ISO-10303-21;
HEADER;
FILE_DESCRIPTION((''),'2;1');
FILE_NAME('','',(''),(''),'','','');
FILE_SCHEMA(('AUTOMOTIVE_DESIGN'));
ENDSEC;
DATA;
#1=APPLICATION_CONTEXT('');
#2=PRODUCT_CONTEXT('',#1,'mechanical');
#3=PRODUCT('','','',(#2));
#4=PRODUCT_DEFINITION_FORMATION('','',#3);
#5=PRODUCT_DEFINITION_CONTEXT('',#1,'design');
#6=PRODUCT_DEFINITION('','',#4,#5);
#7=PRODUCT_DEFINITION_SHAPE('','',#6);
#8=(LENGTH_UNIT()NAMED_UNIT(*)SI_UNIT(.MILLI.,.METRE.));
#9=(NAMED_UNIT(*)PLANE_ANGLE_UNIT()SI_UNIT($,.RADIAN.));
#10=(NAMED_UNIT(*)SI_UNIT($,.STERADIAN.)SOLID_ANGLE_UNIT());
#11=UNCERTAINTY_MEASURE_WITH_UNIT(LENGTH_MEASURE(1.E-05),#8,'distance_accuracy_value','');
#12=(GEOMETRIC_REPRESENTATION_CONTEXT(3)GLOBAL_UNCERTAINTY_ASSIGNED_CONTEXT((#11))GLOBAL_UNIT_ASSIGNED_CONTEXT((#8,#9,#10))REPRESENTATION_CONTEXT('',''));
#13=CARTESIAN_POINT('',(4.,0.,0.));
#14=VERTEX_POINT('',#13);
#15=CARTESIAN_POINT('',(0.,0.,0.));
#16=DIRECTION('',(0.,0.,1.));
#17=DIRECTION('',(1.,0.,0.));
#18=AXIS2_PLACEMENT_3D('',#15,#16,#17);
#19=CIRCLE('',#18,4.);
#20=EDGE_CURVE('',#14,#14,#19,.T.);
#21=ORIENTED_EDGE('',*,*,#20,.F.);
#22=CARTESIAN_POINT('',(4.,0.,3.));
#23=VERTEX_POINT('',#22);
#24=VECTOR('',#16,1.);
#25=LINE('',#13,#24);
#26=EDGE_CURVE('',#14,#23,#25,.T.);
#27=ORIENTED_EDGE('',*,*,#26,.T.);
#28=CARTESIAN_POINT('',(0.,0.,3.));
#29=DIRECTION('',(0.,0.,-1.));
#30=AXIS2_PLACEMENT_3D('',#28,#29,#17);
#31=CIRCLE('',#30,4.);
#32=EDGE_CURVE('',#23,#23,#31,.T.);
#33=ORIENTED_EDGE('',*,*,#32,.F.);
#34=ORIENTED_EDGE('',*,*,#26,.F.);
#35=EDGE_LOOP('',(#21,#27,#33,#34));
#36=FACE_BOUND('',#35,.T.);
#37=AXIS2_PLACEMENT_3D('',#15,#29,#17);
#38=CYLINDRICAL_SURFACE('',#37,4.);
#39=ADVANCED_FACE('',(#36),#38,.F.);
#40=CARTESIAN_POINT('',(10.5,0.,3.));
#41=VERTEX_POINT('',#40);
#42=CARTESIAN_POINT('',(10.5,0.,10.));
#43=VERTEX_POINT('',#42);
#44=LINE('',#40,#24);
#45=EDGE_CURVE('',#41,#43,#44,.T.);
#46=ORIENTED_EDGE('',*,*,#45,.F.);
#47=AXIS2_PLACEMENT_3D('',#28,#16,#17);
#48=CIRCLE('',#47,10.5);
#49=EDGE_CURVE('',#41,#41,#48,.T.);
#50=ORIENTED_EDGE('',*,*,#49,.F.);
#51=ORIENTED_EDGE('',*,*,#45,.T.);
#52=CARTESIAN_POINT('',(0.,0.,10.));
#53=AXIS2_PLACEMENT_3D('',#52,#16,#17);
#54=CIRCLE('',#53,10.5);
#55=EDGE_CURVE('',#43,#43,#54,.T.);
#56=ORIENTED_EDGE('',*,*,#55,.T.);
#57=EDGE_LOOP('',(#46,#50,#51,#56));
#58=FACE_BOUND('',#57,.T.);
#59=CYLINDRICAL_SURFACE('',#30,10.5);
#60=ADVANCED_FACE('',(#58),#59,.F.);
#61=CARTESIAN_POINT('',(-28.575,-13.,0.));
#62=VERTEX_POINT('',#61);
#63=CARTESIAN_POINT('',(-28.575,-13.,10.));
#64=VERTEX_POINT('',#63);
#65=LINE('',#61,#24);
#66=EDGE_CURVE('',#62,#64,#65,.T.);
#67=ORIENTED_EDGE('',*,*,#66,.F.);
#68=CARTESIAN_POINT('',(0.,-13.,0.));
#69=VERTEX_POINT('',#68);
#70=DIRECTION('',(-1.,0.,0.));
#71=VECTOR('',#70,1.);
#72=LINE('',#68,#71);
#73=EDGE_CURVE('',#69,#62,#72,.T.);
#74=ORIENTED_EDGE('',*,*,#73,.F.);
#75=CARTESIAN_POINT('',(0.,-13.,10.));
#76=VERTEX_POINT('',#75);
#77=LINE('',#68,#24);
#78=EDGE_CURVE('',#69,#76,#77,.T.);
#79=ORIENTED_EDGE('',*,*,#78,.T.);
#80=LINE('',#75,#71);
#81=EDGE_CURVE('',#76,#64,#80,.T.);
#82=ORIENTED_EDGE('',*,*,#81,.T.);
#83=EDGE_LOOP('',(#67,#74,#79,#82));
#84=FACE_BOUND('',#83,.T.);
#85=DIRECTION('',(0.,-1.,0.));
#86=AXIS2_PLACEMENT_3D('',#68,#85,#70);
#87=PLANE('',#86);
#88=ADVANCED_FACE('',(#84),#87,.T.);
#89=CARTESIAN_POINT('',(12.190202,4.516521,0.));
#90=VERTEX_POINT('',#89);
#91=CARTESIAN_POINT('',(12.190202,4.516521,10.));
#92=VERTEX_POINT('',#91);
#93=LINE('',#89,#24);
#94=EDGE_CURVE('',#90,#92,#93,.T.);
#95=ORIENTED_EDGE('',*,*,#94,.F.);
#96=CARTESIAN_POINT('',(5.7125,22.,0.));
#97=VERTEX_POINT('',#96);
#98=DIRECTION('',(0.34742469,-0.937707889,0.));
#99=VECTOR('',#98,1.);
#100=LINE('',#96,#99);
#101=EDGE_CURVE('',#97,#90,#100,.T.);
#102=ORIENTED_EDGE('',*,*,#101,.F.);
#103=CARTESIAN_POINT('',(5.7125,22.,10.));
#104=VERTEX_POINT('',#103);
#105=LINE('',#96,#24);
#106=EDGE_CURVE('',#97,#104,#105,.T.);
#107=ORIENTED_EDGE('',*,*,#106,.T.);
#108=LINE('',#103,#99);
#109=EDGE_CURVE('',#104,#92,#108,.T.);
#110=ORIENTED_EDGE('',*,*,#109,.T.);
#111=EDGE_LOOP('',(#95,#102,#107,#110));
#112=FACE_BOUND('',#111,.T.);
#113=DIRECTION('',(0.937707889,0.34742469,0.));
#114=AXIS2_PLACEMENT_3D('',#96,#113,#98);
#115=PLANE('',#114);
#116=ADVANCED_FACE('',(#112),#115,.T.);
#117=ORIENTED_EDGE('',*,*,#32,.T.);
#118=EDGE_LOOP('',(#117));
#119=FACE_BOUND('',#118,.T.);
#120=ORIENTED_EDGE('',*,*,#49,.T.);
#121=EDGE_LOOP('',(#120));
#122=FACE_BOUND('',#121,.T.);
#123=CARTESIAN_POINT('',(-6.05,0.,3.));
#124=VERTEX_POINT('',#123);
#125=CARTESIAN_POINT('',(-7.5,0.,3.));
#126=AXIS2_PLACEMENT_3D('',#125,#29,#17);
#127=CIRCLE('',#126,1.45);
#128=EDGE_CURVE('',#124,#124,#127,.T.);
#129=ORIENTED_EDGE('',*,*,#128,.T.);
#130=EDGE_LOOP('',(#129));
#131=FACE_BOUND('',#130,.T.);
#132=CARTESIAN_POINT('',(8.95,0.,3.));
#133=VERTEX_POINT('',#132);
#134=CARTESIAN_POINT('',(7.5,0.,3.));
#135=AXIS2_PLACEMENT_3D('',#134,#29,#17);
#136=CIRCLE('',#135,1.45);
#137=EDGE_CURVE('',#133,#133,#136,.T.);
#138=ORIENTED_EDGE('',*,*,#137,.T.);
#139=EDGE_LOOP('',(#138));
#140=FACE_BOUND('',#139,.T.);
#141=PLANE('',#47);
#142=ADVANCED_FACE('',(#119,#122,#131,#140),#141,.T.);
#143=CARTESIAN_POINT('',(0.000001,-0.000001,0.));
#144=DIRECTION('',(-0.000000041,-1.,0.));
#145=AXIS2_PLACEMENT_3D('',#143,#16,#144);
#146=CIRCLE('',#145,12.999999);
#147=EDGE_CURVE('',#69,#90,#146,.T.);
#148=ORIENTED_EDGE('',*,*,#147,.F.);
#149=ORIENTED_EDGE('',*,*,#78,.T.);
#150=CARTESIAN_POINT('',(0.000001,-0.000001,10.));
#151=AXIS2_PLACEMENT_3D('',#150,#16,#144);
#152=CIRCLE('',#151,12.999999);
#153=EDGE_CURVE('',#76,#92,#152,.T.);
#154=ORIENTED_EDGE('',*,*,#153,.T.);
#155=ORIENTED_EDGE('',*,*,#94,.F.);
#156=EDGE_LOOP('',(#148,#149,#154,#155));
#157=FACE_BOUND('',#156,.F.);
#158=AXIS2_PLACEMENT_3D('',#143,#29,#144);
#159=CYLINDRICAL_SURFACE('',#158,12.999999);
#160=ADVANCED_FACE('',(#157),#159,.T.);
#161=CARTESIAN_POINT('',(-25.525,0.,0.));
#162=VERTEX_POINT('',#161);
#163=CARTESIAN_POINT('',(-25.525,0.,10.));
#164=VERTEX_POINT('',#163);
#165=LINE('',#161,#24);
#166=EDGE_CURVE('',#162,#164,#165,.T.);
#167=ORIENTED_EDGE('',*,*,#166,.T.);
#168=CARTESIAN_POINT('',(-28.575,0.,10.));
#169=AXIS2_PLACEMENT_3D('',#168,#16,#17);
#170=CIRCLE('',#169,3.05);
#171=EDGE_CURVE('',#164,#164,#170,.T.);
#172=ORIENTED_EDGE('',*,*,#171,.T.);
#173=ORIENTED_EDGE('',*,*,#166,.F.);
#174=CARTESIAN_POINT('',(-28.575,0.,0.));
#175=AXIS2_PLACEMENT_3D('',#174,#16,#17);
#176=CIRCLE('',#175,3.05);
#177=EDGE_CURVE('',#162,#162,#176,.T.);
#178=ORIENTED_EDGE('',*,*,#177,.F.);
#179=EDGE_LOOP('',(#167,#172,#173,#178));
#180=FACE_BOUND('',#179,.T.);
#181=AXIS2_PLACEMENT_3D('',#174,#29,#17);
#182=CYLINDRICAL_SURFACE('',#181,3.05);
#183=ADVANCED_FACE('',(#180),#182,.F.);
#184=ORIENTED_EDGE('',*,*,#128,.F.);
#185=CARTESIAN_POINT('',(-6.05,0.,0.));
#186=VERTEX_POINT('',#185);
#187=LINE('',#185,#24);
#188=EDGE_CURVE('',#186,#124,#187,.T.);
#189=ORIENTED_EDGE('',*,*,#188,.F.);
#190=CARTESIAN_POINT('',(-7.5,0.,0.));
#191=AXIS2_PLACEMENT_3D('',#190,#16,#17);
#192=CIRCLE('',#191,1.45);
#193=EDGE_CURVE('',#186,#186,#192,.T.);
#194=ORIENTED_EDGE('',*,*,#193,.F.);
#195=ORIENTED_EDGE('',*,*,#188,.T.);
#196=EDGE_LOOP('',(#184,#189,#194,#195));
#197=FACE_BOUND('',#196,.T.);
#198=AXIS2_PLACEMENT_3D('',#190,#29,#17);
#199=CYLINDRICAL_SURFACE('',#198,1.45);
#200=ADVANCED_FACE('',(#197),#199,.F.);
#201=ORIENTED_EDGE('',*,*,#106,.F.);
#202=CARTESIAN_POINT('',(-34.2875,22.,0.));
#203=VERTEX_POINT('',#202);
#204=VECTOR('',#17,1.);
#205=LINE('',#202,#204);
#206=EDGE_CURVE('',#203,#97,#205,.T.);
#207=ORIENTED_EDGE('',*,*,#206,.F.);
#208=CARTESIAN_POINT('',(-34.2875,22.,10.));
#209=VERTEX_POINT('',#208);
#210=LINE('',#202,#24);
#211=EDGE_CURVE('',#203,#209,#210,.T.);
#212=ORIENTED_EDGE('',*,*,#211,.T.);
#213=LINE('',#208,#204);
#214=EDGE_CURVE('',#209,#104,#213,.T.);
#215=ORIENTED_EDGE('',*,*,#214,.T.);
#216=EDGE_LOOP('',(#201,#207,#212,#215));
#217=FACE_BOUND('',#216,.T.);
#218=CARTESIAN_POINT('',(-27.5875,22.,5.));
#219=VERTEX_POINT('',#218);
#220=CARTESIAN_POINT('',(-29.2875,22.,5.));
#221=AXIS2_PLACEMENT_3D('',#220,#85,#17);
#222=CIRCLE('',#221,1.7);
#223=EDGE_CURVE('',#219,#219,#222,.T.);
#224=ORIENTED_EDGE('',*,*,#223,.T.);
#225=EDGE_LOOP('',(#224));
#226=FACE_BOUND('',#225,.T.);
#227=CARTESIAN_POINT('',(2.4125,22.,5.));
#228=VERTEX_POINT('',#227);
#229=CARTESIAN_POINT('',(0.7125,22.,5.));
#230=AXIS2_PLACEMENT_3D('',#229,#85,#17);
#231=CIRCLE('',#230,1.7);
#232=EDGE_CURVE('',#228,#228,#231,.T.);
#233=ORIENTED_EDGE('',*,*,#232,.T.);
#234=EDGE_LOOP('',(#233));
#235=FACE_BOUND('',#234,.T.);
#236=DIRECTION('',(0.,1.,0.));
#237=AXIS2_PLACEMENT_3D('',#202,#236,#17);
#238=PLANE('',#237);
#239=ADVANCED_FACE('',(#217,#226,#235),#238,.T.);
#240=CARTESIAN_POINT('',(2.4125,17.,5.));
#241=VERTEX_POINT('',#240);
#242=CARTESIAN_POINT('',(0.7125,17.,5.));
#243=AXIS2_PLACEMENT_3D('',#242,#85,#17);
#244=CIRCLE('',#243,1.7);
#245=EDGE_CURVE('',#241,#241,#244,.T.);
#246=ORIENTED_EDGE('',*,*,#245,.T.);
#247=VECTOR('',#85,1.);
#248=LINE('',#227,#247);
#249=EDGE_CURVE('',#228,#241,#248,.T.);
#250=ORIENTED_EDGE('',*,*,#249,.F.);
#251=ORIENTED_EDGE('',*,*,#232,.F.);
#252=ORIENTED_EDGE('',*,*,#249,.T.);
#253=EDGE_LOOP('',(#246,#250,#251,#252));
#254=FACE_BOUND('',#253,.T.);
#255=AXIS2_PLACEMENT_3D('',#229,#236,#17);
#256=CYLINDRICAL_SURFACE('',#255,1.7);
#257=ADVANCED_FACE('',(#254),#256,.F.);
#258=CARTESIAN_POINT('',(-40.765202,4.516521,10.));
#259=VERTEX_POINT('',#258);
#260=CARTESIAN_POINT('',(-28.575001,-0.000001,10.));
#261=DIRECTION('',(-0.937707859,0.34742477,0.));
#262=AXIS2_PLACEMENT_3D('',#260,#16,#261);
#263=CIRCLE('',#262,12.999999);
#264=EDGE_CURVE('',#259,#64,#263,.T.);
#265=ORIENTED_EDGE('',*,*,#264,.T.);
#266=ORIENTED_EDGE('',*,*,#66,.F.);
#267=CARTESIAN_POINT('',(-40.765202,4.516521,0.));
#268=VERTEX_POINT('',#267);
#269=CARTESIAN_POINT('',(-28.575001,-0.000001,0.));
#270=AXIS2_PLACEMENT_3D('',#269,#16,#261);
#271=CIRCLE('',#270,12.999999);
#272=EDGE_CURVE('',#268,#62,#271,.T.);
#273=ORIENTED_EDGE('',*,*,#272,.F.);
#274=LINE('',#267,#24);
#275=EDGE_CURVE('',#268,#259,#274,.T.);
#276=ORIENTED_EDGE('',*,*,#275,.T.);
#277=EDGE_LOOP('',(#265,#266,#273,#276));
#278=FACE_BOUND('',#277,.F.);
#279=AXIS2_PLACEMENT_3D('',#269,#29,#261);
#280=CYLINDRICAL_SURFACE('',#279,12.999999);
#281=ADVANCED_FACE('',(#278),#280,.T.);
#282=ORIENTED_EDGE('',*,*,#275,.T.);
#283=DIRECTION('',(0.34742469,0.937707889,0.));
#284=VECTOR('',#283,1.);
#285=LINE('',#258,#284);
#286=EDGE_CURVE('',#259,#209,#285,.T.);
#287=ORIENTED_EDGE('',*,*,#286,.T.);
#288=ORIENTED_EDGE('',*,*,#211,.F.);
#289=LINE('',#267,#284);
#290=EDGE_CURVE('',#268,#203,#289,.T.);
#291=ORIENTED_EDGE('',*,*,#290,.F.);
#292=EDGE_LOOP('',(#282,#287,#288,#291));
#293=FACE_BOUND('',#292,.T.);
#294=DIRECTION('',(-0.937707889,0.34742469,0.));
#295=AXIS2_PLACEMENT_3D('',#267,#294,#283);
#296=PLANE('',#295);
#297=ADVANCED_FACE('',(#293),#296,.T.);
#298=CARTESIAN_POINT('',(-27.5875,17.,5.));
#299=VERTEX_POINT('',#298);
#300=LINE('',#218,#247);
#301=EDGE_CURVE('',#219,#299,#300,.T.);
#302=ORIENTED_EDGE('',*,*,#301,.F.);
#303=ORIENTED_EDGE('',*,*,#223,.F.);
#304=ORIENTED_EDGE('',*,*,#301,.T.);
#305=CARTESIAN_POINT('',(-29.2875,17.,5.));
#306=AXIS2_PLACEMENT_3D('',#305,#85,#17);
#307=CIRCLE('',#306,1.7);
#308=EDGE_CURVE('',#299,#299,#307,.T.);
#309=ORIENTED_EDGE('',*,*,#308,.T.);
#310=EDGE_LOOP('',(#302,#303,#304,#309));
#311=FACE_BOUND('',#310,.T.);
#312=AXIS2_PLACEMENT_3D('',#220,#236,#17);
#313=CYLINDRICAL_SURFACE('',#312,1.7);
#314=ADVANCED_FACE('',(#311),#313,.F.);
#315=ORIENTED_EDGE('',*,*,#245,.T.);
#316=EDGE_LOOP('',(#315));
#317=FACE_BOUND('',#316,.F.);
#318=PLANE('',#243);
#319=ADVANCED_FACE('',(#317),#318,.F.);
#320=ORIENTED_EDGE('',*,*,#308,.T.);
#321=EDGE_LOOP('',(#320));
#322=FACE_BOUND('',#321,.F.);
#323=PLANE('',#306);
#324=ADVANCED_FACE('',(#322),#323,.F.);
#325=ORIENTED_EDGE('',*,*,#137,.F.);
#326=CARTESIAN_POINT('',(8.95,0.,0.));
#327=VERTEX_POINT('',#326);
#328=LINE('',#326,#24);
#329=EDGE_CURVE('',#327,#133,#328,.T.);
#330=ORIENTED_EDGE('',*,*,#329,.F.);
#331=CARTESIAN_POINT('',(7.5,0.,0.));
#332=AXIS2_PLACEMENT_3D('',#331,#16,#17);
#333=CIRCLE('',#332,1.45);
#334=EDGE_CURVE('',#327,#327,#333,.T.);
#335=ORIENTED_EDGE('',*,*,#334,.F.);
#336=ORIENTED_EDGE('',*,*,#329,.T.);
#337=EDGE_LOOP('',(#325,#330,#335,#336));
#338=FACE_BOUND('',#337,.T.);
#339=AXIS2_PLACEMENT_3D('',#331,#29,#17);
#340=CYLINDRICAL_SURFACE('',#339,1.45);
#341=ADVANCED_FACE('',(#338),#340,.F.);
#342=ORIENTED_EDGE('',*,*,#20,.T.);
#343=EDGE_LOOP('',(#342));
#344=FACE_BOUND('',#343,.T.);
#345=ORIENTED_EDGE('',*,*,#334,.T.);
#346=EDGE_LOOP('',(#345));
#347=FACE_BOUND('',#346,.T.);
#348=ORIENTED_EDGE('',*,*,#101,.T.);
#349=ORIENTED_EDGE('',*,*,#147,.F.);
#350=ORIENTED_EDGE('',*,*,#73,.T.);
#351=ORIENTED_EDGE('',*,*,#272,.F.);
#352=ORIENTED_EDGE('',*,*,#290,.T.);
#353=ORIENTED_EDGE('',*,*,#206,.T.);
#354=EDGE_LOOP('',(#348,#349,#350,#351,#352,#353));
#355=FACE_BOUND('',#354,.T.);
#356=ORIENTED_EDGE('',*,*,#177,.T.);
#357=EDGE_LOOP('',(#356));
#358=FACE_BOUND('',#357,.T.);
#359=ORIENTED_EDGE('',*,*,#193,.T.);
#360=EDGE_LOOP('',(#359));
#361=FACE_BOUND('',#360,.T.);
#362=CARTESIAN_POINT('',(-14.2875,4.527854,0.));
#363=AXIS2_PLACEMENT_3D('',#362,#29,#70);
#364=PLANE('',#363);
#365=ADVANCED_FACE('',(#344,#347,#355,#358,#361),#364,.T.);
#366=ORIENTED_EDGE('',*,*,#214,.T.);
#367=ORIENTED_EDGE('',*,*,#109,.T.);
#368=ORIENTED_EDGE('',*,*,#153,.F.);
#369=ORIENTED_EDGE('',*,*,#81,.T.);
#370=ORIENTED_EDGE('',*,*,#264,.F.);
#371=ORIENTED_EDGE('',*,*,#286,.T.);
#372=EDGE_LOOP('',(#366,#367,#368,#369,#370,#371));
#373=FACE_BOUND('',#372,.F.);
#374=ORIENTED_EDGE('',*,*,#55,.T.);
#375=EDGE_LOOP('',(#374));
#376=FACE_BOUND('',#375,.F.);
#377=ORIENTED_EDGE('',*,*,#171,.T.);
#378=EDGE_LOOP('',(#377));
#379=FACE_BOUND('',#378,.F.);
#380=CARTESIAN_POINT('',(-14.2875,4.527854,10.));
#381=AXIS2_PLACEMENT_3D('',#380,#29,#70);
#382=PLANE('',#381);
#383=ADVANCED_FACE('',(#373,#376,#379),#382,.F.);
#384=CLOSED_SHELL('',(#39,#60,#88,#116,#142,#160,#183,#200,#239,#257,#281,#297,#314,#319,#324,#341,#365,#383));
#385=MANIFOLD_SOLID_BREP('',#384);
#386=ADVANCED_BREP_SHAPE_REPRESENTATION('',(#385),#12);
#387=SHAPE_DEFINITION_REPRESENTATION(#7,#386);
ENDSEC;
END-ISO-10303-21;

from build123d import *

# Parameters (mm, degrees)
SKETCH002_R     = 4
SKETCH002_R_2   = 1.45
SKETCH002_R_3   = 3.05
PAD002_DEPTH    = 10
SKETCH003_R     = 10.5
POCKET_DEPTH    = 7
SKETCH004_R     = 1.7
POCKET001_DEPTH = 5


with BuildPart() as part:
    # Sketch002 → Pad002 (new body)
    with BuildSketch(Plane.XY):
        with BuildLine():
            Line((-34.2875, 22), (5.7125, 22))
            Line((5.7125, 22), (12.190202, 4.516521))
            ThreePointArc((0, -13), (10.670398, -7.425807), (12.190202, 4.516521))
            Line((0, -13), (-28.575, -13))
            ThreePointArc((-40.765202, 4.516521), (-39.245398, -7.425807), (-28.575, -13))
            Line((-40.765202, 4.516521), (-34.2875, 22))
        make_face()
        Circle(SKETCH002_R, mode=Mode.SUBTRACT)
        with Locations((7.5, 0)):
            Circle(SKETCH002_R_2, mode=Mode.SUBTRACT)
        with Locations((-7.5, 0)):
            Circle(SKETCH002_R_2, mode=Mode.SUBTRACT)
        with Locations((-28.575, 0)):
            Circle(SKETCH002_R_3, mode=Mode.SUBTRACT)
    extrude(amount=PAD002_DEPTH)

    # Sketch003 → Pocket (cut)
    with BuildSketch(Plane.XY.offset(3)):
        Circle(SKETCH003_R)
    extrude(amount=POCKET_DEPTH, mode=Mode.SUBTRACT)

    # Sketch004 → Pocket001 (cut)
    with BuildSketch(Plane.XZ.offset(-22)):
        with Locations((-29.2875, 5)):
            Circle(SKETCH004_R)
        with Locations((0.7125, 5)):
            Circle(SKETCH004_R)
    extrude(amount=POCKET001_DEPTH, mode=Mode.SUBTRACT)


solid = part.part
